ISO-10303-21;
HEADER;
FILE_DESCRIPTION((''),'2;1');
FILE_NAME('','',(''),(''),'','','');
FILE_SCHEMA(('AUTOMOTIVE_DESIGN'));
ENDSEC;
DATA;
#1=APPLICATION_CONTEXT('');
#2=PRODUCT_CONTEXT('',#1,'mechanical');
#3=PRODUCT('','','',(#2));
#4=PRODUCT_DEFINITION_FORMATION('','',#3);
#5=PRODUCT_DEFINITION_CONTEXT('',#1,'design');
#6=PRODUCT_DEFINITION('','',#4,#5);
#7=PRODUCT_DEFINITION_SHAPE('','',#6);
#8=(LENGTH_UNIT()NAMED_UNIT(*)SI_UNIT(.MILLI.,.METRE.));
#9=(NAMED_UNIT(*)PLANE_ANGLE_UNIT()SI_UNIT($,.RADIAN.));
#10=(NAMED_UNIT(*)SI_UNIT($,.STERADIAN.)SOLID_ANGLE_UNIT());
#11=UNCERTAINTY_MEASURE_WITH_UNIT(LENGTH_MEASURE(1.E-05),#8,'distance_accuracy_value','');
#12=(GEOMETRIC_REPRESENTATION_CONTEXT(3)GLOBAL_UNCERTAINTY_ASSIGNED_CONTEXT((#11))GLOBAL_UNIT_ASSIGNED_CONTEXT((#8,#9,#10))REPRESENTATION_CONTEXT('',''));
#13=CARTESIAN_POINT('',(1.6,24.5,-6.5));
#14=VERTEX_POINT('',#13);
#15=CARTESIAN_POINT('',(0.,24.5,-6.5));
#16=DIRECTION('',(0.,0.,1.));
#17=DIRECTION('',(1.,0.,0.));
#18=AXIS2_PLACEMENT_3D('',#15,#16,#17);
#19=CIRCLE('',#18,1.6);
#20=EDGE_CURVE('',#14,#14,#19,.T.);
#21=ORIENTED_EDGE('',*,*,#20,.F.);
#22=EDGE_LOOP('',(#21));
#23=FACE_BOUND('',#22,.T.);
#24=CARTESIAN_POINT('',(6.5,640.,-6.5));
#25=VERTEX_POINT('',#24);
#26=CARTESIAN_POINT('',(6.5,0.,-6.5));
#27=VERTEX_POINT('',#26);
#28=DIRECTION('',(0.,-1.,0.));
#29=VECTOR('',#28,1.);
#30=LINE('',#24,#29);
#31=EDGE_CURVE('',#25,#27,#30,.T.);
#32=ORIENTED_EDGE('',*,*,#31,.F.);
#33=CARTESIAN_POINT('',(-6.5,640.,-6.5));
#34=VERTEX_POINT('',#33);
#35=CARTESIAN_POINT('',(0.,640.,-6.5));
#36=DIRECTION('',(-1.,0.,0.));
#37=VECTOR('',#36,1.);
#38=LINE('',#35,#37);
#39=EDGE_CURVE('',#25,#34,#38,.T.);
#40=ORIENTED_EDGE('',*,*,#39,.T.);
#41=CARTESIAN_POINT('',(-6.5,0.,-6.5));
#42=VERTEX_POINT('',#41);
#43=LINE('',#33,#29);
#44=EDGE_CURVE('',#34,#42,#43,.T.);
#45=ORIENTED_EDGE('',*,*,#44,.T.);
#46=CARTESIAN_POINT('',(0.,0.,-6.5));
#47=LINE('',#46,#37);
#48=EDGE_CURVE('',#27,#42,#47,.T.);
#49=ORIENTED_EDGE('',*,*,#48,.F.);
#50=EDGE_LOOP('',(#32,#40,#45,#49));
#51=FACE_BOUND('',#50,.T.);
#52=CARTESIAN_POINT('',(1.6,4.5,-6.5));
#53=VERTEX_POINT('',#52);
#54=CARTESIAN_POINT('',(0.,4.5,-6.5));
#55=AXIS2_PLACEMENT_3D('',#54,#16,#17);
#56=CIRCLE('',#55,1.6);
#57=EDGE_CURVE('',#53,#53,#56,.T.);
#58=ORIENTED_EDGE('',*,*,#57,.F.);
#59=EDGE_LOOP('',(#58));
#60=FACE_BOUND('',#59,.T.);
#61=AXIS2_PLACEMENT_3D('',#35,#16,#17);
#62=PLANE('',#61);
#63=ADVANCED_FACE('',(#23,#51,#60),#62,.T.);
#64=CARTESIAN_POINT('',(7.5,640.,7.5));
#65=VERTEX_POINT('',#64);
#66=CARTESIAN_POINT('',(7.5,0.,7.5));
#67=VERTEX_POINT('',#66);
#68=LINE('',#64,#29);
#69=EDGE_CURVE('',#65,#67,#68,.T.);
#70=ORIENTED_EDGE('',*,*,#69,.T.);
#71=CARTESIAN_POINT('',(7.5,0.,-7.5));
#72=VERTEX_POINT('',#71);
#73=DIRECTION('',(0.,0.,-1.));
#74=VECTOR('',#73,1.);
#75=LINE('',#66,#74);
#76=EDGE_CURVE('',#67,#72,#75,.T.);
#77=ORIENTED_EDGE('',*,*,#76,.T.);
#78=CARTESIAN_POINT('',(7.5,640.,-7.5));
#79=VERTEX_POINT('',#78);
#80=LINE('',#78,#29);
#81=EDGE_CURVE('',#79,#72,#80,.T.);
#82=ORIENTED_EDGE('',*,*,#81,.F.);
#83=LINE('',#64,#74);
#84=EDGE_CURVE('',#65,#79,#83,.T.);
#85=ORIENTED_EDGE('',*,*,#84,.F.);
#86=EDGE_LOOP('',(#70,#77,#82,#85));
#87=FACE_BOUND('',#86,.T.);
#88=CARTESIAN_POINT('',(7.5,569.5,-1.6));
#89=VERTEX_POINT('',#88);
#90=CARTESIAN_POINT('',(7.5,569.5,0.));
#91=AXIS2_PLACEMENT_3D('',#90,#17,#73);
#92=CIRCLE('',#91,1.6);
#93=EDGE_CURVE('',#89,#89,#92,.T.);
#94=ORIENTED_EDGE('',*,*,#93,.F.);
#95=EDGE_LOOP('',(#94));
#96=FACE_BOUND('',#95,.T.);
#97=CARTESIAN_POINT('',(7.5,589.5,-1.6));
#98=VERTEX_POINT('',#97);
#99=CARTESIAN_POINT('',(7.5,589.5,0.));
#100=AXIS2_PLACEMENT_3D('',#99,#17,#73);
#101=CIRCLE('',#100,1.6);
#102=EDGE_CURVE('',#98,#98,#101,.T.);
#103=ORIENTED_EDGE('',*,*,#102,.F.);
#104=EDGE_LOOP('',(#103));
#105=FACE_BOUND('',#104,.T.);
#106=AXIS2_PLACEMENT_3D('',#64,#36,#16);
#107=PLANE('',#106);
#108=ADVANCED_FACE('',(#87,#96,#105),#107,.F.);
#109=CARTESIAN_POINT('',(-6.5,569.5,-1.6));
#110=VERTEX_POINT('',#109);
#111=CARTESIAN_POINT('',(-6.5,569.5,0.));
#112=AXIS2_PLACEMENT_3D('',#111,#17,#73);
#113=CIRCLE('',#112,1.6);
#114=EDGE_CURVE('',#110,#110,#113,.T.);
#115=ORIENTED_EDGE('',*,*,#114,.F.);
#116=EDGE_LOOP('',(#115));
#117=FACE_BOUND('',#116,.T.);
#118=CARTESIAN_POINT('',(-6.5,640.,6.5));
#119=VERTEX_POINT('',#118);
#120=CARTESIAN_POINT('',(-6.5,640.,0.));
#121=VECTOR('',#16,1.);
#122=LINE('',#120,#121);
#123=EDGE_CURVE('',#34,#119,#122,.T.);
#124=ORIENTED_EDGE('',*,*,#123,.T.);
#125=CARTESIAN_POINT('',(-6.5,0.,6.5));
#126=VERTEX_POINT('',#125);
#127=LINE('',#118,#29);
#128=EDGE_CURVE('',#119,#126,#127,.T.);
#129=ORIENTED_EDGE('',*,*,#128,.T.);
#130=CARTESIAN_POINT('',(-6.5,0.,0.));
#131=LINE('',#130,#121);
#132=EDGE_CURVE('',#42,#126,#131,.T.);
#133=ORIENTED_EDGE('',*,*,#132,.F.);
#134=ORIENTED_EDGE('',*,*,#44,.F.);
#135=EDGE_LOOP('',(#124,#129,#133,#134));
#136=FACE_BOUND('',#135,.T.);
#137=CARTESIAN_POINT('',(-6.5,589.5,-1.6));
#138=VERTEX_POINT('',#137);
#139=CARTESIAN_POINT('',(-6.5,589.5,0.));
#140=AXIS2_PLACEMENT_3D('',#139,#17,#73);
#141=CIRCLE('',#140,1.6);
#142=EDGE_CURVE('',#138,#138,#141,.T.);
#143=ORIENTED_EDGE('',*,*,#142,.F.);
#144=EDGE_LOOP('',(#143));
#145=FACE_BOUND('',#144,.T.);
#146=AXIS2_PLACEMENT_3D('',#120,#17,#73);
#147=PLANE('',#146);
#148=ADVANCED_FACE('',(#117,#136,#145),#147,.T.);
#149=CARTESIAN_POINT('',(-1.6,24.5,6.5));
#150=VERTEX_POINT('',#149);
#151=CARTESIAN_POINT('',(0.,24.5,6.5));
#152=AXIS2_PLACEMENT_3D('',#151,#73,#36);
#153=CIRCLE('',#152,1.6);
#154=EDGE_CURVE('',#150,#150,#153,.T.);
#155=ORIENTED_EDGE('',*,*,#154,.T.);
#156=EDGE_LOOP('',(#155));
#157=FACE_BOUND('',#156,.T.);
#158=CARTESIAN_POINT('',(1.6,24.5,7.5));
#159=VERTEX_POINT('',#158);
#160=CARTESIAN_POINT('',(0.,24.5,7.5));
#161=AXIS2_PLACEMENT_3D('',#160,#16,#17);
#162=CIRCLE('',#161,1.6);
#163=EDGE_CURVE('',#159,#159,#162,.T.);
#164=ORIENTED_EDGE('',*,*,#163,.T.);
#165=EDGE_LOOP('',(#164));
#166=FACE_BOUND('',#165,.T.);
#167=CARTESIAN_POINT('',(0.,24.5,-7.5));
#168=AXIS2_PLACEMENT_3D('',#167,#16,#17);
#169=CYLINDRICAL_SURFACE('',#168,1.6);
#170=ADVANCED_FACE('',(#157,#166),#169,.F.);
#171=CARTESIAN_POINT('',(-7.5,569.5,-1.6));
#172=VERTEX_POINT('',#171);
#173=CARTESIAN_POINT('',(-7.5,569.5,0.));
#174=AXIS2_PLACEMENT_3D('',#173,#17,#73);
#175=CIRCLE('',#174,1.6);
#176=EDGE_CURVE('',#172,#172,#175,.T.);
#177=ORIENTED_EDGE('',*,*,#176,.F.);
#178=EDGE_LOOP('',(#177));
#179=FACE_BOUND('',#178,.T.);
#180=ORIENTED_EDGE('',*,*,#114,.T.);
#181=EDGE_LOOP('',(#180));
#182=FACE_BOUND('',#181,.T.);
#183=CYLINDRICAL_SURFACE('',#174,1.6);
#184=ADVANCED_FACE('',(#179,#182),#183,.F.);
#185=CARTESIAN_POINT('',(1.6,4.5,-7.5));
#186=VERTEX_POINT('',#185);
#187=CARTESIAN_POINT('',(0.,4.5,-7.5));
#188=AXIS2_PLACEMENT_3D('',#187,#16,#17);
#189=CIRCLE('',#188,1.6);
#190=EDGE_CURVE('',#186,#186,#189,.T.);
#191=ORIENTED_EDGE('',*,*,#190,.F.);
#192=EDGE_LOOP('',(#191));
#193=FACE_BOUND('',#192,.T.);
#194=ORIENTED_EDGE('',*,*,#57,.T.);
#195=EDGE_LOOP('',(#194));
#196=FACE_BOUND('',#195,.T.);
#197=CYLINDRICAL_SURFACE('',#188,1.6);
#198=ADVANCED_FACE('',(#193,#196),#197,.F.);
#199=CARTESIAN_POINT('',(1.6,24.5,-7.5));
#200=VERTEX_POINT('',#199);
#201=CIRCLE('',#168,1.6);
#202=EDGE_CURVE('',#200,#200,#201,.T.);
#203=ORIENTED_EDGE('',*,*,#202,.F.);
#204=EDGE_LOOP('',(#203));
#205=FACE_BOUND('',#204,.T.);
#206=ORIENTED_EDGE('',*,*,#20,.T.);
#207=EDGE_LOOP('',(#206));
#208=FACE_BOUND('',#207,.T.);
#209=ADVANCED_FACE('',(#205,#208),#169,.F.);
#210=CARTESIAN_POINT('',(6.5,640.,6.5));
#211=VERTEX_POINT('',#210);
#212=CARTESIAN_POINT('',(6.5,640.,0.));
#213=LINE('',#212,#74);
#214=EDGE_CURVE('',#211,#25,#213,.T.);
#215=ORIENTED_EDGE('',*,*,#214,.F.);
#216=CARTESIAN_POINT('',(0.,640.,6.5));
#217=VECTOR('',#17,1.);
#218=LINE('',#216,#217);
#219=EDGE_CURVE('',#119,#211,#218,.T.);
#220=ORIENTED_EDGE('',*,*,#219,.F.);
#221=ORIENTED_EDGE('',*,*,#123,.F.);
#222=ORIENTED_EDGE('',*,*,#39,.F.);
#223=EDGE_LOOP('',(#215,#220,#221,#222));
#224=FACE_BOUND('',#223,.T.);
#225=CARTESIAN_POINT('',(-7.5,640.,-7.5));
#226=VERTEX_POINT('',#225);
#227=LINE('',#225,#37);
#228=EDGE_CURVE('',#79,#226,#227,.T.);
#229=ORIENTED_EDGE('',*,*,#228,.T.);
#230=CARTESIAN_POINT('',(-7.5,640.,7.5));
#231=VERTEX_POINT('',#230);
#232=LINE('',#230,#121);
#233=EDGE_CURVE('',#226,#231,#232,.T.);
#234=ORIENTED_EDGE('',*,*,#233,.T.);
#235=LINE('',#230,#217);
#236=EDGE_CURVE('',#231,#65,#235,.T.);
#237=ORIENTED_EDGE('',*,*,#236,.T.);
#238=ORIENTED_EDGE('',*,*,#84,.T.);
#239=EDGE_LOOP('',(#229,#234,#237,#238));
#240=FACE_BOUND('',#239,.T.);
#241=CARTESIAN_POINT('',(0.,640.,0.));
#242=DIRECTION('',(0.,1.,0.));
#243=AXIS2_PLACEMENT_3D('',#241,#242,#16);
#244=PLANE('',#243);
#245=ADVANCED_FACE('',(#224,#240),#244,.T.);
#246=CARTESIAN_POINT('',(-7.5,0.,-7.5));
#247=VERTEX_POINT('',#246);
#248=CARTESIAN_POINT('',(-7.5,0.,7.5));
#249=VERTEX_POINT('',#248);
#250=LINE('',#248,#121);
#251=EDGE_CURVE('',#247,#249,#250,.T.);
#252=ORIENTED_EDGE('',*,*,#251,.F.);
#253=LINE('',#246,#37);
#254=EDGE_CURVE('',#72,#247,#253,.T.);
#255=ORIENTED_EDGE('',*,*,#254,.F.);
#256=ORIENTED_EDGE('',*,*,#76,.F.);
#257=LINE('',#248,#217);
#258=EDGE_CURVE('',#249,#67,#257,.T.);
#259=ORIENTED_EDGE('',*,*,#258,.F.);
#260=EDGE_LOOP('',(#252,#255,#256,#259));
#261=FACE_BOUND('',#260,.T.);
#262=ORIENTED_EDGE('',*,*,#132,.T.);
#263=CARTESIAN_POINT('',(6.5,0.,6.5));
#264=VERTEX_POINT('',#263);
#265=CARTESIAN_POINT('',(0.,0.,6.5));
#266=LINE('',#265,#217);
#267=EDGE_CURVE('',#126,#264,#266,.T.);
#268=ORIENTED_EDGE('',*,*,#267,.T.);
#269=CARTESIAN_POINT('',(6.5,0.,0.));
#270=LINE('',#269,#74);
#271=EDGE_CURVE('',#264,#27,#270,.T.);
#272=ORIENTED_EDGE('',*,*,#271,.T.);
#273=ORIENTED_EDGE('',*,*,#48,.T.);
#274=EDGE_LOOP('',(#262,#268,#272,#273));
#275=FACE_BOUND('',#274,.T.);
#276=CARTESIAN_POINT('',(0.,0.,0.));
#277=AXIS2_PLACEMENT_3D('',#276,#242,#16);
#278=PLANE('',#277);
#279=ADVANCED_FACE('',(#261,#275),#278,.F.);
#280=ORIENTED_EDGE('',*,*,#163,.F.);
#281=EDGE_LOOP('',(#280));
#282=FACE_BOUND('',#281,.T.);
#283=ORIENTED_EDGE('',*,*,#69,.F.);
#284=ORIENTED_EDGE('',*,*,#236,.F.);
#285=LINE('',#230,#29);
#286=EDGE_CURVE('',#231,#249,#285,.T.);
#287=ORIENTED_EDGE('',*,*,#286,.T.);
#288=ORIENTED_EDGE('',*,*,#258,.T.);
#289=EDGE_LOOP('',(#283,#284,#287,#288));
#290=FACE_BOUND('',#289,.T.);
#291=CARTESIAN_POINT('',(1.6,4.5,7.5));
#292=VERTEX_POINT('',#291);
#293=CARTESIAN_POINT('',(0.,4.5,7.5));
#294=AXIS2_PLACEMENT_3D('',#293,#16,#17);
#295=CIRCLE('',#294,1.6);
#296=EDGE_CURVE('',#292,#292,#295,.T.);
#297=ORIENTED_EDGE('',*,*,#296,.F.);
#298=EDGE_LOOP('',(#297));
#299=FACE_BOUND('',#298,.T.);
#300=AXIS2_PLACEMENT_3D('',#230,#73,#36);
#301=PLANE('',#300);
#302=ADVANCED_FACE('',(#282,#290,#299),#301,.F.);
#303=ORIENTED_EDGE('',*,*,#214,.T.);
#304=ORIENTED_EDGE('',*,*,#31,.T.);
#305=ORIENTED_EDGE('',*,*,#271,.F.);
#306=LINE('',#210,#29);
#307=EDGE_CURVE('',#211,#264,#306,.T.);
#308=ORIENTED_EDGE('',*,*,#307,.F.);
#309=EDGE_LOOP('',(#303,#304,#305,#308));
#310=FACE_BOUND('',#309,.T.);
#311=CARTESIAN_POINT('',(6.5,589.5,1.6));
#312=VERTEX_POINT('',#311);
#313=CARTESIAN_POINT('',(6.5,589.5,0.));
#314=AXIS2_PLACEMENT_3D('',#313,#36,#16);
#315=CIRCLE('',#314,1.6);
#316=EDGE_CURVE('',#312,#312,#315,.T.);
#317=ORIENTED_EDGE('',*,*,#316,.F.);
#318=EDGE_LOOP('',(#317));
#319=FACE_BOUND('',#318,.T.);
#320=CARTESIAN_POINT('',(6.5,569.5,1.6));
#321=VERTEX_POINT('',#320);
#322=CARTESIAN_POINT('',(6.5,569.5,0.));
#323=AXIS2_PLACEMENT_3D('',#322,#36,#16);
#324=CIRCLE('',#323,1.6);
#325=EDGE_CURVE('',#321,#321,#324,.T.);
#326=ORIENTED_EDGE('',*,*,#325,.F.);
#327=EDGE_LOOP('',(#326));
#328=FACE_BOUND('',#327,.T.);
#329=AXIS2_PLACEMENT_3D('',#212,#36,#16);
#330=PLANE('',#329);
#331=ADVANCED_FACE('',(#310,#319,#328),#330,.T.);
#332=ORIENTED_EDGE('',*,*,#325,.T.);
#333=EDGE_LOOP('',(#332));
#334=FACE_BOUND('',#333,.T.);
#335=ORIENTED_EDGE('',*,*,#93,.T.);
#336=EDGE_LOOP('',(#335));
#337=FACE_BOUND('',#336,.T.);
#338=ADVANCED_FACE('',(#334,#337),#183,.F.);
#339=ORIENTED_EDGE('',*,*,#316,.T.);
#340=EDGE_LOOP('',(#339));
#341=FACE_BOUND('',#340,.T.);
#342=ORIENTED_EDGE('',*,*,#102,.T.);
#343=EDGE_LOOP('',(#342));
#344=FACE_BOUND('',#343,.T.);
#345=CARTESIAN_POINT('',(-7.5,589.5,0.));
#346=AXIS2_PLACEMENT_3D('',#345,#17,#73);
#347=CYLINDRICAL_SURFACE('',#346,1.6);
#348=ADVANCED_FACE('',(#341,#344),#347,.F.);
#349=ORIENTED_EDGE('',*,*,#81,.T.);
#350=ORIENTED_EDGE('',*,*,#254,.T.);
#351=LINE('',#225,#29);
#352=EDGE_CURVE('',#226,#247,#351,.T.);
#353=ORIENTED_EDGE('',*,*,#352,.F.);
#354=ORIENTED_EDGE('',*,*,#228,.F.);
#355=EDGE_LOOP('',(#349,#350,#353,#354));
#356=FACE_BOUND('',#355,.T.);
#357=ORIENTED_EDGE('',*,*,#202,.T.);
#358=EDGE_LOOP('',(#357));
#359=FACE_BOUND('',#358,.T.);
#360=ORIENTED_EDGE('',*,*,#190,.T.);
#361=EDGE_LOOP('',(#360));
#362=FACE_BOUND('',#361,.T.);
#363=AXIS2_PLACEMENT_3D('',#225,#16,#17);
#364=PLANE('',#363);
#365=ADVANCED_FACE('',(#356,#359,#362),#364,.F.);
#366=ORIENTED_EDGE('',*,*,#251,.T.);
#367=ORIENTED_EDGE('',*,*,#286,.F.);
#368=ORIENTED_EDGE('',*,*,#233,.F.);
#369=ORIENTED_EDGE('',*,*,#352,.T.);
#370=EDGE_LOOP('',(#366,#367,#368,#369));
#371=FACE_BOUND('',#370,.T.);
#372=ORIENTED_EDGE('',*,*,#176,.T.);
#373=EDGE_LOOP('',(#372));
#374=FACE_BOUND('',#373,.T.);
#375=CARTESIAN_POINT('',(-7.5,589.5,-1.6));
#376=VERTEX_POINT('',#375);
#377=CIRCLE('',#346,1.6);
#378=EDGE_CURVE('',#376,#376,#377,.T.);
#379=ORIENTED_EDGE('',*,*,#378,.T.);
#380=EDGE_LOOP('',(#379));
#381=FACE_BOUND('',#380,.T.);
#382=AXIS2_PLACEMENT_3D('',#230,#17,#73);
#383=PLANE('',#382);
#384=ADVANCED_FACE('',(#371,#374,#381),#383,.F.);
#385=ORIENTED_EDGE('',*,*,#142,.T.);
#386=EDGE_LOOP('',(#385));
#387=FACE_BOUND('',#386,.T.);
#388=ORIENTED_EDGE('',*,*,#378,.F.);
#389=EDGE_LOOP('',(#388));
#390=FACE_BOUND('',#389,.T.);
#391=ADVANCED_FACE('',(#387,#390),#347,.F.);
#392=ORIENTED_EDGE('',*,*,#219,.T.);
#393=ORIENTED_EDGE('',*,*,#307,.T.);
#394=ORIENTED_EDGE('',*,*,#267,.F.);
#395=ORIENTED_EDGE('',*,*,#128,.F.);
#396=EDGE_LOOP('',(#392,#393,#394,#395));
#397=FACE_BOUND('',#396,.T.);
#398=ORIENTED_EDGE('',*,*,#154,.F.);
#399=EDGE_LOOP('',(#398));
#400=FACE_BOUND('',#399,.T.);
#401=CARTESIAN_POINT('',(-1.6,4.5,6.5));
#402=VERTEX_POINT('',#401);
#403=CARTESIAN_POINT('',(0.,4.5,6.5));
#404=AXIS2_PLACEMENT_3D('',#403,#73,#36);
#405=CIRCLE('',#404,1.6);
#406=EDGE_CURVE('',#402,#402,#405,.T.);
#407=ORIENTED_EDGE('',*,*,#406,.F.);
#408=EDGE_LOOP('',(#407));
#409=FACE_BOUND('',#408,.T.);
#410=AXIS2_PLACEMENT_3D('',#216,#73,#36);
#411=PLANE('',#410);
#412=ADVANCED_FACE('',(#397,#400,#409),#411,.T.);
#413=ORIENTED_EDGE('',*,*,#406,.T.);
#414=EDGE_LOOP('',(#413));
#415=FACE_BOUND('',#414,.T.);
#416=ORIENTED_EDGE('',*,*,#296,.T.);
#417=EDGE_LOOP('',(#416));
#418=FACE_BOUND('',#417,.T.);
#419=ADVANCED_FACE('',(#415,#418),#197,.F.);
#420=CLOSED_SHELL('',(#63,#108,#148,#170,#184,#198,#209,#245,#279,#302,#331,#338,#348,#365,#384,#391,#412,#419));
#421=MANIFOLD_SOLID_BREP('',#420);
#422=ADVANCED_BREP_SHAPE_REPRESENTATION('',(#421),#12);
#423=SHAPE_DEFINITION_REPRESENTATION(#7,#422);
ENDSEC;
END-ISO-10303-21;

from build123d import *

# Parameters (mm, degrees)
SKETCH_1_W          = 15
SKETCH_1_H          = 15
SKETCH_1_W_2        = 13
SKETCH_1_H_2        = 13
EXTRUDE_1_DEPTH     = 640
SKETCH_2_R          = 1.6
CUT_EXTRUDE_1_DEPTH = 641.219688857
SKETCH_3_R          = 1.6
CUT_EXTRUDE_2_DEPTH = 641.219688857


with BuildPart() as part:
    # 草图1 → 拉伸-薄壁1 (new body)
    with BuildSketch(Plane(origin=(0, 0, 0), x_dir=(1, 0, 0), z_dir=(0, 1, 0))):
        Rectangle(SKETCH_1_W, SKETCH_1_H)
        Rectangle(SKETCH_1_W_2, SKETCH_1_H_2, mode=Mode.SUBTRACT)
    extrude(amount=EXTRUDE_1_DEPTH)

    # 草图2 → 切除-拉伸1 (cut, through all)
    with BuildSketch(Plane.XY.offset(7.5)):
        with Locations((0, 4.5)):
            Circle(SKETCH_2_R)
        with Locations((0, 24.5)):
            Circle(SKETCH_2_R)
    extrude(amount=-CUT_EXTRUDE_1_DEPTH, mode=Mode.SUBTRACT)

    # 草图3 → 切除-拉伸2 (cut, through all)
    with BuildSketch(Plane(origin=(7.5, 0, 0), x_dir=(0, 0, -1), z_dir=(1, 0, 0))):
        with Locations((0, 589.5)):
            Circle(SKETCH_3_R)
        with Locations((0, 569.5)):
            Circle(SKETCH_3_R)
    extrude(amount=-CUT_EXTRUDE_2_DEPTH, mode=Mode.SUBTRACT)


solid = part.part
